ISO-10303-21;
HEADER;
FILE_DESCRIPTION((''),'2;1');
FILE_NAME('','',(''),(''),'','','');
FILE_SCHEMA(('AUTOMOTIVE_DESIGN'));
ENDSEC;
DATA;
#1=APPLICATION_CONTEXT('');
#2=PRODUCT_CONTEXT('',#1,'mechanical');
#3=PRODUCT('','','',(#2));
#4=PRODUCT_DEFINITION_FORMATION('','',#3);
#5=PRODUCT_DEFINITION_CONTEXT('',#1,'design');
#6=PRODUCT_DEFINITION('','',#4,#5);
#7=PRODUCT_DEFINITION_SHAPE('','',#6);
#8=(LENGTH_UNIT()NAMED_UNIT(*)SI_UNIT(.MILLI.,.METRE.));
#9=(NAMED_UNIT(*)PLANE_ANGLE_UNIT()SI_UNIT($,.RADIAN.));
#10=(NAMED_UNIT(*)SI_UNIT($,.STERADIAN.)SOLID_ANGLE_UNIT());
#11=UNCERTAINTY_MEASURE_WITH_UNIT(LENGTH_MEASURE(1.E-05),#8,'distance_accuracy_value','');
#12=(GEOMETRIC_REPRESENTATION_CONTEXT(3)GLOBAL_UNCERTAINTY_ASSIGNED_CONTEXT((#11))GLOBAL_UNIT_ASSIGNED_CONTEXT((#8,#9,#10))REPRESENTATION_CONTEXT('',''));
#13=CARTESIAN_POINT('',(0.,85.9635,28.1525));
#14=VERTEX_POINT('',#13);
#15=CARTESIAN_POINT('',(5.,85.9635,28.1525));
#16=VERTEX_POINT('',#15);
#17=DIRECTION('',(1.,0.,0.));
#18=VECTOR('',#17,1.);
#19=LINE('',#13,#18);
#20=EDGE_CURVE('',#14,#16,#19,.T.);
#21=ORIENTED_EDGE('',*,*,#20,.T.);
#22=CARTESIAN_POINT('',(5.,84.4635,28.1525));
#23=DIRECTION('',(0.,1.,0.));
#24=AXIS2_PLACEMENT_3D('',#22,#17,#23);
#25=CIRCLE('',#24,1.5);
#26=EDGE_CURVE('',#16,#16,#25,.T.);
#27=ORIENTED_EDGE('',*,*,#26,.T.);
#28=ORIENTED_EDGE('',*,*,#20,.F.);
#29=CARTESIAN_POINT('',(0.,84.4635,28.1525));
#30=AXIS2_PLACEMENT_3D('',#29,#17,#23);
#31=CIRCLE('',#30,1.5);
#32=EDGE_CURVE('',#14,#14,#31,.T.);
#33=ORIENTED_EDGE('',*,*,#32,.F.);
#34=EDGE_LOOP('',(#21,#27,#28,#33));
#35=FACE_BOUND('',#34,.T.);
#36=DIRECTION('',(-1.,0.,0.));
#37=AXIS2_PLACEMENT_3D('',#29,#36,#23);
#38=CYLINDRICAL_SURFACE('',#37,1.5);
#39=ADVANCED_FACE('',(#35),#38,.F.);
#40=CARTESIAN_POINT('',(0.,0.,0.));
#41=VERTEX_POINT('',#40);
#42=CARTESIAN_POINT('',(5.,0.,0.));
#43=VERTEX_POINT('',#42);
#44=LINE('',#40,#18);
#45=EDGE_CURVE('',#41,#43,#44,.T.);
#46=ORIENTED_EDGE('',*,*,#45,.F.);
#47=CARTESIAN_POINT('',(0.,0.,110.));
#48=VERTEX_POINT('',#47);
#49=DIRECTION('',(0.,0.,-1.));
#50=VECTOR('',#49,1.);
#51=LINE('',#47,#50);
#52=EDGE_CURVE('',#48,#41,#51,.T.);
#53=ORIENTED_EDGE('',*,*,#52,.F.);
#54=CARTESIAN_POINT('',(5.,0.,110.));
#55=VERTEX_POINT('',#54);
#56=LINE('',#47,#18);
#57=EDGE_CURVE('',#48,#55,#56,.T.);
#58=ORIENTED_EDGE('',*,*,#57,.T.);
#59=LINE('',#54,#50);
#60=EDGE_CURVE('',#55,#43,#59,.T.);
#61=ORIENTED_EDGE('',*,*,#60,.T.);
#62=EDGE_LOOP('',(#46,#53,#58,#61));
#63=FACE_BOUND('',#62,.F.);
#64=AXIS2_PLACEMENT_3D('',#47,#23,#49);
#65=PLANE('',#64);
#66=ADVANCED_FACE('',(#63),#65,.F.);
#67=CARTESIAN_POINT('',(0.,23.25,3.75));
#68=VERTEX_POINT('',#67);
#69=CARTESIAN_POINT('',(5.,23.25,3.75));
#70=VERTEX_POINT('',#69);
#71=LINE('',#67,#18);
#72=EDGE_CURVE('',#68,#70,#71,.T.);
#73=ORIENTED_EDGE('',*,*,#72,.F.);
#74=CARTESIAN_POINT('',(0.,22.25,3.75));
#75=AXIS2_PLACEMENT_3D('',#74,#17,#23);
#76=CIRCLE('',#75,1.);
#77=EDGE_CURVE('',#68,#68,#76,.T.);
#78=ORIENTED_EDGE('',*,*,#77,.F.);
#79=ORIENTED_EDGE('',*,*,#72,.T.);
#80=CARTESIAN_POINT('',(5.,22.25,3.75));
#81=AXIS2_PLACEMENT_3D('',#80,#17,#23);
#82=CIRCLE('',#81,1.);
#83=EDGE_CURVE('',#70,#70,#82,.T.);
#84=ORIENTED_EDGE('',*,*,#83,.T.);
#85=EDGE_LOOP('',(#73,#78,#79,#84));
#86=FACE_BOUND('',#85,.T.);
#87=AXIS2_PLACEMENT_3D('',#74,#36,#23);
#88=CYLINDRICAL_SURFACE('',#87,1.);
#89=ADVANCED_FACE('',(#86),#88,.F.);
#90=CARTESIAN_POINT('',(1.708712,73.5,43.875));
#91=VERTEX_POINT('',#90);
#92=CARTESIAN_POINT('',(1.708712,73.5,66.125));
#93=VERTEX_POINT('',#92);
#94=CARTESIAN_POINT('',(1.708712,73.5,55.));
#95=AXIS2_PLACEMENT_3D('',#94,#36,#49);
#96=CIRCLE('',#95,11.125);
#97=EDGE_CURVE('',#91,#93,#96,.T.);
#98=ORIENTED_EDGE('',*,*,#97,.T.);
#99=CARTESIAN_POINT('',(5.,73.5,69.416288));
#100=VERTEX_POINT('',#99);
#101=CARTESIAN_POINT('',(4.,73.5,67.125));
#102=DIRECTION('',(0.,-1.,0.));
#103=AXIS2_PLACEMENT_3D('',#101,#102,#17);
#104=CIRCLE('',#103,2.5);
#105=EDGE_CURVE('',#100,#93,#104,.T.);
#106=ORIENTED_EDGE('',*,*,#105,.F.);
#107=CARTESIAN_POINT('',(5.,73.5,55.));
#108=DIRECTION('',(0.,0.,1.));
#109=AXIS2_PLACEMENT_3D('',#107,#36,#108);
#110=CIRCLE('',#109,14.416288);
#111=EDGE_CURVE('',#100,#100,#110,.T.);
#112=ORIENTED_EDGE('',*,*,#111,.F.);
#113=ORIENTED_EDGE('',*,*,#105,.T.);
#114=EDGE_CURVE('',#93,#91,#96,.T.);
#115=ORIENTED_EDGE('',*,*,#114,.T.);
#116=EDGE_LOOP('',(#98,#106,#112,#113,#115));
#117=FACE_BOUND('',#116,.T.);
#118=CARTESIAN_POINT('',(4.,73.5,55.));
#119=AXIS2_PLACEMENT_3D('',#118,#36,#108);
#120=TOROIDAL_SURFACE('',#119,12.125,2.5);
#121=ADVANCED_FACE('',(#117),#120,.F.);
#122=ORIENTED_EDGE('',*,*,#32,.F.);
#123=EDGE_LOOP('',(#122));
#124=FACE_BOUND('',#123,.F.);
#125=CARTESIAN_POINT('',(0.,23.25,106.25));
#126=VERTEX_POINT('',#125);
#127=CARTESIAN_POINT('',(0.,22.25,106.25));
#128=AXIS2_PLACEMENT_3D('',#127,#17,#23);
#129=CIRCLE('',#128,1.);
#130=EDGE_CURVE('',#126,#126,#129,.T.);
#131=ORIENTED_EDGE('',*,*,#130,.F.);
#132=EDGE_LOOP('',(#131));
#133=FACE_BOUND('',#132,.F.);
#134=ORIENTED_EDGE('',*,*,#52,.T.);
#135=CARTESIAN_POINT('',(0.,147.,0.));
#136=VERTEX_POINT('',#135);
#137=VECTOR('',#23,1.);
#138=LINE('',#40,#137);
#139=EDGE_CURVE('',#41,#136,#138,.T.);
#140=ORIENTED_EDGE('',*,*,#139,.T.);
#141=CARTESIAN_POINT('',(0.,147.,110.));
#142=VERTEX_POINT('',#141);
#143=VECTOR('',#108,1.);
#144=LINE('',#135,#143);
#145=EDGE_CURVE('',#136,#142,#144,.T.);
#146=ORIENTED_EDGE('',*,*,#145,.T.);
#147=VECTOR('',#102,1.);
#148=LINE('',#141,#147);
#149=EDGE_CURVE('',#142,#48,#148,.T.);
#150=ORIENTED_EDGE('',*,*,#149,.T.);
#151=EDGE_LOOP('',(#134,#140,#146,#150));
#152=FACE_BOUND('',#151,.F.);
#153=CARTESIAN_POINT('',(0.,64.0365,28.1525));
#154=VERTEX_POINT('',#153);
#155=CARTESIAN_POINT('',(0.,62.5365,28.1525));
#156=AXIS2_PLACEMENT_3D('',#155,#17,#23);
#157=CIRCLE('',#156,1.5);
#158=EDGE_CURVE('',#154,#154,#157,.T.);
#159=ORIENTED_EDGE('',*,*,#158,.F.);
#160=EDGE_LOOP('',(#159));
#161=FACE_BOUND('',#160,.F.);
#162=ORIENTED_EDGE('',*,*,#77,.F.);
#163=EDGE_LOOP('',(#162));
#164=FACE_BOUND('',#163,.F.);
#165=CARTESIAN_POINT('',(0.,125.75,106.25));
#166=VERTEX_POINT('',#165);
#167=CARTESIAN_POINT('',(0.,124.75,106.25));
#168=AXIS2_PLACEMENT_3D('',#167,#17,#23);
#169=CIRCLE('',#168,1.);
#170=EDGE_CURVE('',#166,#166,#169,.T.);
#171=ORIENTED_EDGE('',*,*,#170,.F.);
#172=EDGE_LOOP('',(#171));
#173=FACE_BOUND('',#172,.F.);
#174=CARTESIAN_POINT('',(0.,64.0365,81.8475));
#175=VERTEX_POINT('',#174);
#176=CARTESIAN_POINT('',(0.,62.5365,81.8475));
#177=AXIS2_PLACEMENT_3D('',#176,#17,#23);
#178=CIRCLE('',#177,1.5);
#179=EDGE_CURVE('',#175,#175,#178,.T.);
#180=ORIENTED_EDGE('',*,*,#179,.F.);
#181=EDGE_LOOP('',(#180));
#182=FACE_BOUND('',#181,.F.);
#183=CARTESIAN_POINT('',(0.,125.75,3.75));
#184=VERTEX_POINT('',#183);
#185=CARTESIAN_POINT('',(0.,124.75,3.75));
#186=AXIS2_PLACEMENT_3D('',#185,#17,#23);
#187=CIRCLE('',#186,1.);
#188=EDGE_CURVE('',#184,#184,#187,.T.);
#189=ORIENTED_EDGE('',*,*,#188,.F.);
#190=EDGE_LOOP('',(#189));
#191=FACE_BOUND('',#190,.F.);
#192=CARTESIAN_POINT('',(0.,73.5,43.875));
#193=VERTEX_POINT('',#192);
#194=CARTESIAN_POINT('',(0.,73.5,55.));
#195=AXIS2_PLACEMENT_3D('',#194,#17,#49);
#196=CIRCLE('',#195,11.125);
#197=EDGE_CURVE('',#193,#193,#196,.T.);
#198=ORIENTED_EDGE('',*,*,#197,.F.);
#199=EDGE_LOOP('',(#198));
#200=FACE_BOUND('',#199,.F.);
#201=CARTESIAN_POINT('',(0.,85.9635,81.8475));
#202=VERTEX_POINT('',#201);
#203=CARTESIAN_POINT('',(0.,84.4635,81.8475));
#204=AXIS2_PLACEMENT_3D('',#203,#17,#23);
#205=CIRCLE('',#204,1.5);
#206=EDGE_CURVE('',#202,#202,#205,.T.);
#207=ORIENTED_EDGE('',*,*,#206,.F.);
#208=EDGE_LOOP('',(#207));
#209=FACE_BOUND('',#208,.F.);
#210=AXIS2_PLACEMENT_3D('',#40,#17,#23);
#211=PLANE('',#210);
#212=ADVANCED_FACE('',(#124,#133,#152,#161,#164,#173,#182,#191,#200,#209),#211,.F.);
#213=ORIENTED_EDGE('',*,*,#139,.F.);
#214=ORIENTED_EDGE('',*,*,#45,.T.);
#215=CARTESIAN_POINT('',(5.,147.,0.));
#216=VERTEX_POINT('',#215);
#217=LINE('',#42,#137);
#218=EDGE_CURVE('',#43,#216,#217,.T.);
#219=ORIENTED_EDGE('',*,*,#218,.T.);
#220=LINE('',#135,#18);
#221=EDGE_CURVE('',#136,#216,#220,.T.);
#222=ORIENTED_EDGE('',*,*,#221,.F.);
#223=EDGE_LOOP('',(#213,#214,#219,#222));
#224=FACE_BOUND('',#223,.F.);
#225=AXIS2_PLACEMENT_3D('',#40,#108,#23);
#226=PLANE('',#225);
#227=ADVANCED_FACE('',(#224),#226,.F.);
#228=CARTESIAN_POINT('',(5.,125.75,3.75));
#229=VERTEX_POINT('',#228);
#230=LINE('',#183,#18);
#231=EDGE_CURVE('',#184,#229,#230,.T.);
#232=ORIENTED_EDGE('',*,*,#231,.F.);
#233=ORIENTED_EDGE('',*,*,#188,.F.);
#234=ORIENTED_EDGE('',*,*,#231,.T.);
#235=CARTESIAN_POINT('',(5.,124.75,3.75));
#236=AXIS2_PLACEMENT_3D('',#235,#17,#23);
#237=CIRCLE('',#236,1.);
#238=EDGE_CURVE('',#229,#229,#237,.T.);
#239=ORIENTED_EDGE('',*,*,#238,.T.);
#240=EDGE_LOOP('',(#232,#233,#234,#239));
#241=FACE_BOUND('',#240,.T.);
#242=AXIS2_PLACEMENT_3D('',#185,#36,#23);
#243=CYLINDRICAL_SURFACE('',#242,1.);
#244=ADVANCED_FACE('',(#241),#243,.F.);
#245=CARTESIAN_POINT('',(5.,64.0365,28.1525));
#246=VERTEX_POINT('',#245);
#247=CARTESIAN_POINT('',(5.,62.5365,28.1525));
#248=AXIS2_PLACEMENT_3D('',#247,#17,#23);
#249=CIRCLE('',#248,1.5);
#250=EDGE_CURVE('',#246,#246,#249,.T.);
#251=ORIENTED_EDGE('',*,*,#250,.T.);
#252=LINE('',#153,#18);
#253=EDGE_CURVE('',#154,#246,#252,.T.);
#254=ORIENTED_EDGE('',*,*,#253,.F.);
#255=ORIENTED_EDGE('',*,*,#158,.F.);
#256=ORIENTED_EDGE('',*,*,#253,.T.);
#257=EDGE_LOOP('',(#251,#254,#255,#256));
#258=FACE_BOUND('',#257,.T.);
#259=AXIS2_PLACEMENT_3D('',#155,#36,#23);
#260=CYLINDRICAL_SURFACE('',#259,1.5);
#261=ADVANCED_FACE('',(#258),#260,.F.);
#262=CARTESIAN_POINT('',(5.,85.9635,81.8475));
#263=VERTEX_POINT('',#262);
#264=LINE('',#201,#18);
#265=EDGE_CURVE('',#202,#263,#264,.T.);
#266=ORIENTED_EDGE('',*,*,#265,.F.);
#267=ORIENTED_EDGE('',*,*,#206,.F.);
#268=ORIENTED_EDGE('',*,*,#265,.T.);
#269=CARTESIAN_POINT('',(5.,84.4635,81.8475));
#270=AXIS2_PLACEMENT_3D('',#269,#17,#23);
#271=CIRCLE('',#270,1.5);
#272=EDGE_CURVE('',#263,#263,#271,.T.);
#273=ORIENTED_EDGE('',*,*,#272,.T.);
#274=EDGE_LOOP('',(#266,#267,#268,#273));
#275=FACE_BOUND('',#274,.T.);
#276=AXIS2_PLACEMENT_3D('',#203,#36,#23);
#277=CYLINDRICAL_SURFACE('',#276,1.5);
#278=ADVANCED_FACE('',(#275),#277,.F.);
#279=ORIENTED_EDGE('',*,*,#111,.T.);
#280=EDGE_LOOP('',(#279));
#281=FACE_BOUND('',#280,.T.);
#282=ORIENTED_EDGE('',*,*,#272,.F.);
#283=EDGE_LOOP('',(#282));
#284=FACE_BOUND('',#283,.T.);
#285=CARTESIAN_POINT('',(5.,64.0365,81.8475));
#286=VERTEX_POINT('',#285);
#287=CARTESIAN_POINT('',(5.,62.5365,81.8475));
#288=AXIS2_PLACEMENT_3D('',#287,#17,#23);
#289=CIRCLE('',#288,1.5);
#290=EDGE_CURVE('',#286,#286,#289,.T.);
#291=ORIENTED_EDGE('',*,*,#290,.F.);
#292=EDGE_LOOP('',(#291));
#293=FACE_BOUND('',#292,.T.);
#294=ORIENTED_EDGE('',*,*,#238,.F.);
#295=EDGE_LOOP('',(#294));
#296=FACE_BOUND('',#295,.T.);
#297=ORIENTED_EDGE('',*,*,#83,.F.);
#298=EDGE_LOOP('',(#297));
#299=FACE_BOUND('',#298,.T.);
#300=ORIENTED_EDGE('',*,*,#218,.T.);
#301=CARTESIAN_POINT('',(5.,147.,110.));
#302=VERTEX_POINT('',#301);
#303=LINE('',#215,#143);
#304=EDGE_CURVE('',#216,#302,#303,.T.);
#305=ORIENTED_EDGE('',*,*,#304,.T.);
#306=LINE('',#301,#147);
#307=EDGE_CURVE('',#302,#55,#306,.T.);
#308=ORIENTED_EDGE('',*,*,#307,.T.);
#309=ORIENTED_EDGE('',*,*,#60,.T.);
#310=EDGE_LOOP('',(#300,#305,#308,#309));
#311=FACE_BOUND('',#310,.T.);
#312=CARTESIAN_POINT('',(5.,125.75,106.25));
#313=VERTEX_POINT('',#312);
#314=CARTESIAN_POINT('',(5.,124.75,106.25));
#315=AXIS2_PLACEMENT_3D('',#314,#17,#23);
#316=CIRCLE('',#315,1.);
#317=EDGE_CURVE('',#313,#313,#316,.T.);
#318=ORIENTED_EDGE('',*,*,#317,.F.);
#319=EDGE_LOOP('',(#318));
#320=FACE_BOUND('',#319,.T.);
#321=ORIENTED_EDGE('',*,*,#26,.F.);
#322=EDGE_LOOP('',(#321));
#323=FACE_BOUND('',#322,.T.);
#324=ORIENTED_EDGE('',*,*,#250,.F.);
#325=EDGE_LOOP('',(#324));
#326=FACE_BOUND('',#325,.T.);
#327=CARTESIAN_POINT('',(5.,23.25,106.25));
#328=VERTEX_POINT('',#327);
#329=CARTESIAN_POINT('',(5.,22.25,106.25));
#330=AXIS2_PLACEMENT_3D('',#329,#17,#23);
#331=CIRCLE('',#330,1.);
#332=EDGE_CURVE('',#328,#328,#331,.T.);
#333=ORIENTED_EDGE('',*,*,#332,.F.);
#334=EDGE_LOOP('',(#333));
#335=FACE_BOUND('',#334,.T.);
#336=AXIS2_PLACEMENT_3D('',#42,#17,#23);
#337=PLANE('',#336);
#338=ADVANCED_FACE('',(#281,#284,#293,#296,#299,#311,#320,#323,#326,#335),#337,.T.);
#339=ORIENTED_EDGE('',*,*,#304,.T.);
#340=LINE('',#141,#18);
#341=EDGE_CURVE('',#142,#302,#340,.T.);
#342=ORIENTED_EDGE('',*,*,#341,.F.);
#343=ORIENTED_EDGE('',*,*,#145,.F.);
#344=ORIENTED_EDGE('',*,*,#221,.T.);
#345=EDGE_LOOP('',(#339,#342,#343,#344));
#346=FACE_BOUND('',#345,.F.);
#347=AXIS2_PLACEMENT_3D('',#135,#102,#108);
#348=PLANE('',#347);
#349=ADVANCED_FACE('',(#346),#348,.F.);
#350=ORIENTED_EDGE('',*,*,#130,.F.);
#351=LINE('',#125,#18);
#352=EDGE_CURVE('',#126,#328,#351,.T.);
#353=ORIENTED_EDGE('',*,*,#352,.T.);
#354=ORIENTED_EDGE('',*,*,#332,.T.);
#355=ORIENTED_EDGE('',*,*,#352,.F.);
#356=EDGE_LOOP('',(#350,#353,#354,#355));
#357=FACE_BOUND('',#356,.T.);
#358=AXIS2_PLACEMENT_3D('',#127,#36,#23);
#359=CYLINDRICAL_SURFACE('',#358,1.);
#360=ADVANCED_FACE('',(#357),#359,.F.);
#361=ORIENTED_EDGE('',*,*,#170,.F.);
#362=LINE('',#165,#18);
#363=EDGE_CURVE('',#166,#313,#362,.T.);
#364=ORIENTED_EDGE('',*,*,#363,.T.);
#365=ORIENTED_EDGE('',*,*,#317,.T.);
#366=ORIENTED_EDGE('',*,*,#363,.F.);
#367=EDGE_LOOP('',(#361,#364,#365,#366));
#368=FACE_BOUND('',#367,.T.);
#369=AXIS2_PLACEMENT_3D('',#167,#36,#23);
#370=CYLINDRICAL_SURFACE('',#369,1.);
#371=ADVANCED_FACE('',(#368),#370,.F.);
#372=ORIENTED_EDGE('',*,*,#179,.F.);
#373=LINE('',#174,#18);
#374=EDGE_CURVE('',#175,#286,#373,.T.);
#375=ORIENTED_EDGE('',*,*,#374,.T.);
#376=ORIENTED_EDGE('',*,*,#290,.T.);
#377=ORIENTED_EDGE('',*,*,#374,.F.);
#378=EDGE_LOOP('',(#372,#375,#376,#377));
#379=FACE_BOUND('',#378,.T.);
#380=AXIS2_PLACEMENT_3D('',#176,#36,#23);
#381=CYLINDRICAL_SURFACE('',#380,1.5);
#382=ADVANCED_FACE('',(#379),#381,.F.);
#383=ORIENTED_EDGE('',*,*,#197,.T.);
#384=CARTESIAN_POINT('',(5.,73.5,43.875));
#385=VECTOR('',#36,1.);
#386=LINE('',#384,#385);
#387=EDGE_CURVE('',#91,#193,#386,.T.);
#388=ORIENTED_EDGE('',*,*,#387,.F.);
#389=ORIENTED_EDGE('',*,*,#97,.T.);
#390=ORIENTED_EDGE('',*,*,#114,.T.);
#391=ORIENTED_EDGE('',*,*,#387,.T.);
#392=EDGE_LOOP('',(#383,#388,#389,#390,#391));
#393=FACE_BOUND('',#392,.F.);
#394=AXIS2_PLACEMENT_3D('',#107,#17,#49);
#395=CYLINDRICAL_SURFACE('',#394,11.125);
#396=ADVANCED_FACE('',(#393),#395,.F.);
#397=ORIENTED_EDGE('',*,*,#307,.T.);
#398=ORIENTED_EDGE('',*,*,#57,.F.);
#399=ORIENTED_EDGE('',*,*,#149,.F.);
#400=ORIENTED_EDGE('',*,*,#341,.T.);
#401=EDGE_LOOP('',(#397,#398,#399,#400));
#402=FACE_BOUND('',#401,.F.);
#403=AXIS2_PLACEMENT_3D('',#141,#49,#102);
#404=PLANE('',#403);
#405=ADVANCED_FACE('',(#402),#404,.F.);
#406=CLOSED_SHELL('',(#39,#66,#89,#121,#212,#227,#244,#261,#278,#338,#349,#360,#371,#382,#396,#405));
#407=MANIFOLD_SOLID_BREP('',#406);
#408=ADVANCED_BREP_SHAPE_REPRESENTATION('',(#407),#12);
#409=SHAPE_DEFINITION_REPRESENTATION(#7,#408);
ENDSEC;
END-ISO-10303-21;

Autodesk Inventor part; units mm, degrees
ref_plane "YZ Plane" through (0, 0, 0) normal (1, 0, 0) x (0, 1, 0)
ref_plane "XZ Plane" through (0, 0, 0) normal (0, 1, 0) x (-1, 0, 0)
ref_plane "XY Plane" through (0, 0, 0) normal (0, 0, 1) x (1, 0, 0)
sketch "Sketch1" plane through (0, 0, 0) normal (1, 0, 0) x (0, 1, 0)
  line L0 (0, 0) -> (147, 0)
  line L1 (147, 0) -> (147, 110)
  line L2 (147, 110) -> (0, 110)
  line L3 (0, 110) -> (0, 0)
  circle A0 centre (124.75, 106.25) radius 1
  circle A1 centre (124.75, 3.75) radius 1
  circle A2 centre (22.25, 3.75) radius 1
  circle A3 centre (22.25, 106.25) radius 1
  circle A4 centre (84.4635, 28.1525) radius 1.5
  circle A5 centre (84.4635, 81.8475) radius 1.5
  circle A6 centre (62.5365, 81.8475) radius 1.5
  circle A7 centre (62.5365, 28.1525) radius 1.5
  dimension "d0" = 102.5
  dimension "d1" = 102.5
  dimension "d2" = 2
  dimension "d3" = 110
  dimension "d4" = 147
  dimension "d5" = 22.25
  dimension "d6" = 22.25
  dimension "d7" = 3.75
  dimension "d8" = 3.75
  dimension "d24" = 3
  dimension "d25" = 3
  dimension "d26" = 3
  dimension "d27" = 3
  dimension "d28" = 53.695
  dimension "d29" = 21.927
  dimension "d30" = 28.1525
  dimension "d31" = 28.1525
  dimension "d32" = 62.5365
  dimension "d33" = 62.5365
extrude "Extrusion1" add sketch "Sketch1" along normal blind 5
sketch "Sketch2" plane through (5, 0, 0) normal (1, 0, 0) x (0, 0, -1)
  circle A0 centre (-55, 73.5) radius 11.125
  line L0 (-110, 0) -> (0, 0) projected
  line L1 (-110, 147) -> (-110, 0) projected
  point P0 (-55, 0)
  point P1 (-110, 73.5)
  dimension "d11" = 22.25
extrude "Extrusion2" cut sketch "Sketch2" against normal up to surface (5 mm away)
ref_plane "Work Plane1" through (0, 73.5, 0) normal (0, -1, 0) x (1, 0, 0)
sketch "Sketch3" plane through (0, 73.5, 0) normal (0, -1, 0) x (1, 0, 0)
  line L0 (5, 66.125) -> (5, 43.875) projected
  line L1 (0, 55) -> (5, 55) construction
  line L2 (0, 43.875) -> (0, 66.125) projected
  circle A0 centre (4, 67.125) radius 2.5
  point P0 (0, 0)
  dimension "d17" = 5
  dimension "d22" = 1
  dimension "d23" = 1
revolve "Revolution1" cut sketch "Sketch3" angle 360 about axis through (0, 73.5, 55) along (1, 0, 0)
equation "\"d1\" = d0"
equation "\"d5\" = d6"
equation "\"d7\" = d8"
equation "\"d30\" = d31"
equation "\"d32\" = d33"
properties part number "front plate"
